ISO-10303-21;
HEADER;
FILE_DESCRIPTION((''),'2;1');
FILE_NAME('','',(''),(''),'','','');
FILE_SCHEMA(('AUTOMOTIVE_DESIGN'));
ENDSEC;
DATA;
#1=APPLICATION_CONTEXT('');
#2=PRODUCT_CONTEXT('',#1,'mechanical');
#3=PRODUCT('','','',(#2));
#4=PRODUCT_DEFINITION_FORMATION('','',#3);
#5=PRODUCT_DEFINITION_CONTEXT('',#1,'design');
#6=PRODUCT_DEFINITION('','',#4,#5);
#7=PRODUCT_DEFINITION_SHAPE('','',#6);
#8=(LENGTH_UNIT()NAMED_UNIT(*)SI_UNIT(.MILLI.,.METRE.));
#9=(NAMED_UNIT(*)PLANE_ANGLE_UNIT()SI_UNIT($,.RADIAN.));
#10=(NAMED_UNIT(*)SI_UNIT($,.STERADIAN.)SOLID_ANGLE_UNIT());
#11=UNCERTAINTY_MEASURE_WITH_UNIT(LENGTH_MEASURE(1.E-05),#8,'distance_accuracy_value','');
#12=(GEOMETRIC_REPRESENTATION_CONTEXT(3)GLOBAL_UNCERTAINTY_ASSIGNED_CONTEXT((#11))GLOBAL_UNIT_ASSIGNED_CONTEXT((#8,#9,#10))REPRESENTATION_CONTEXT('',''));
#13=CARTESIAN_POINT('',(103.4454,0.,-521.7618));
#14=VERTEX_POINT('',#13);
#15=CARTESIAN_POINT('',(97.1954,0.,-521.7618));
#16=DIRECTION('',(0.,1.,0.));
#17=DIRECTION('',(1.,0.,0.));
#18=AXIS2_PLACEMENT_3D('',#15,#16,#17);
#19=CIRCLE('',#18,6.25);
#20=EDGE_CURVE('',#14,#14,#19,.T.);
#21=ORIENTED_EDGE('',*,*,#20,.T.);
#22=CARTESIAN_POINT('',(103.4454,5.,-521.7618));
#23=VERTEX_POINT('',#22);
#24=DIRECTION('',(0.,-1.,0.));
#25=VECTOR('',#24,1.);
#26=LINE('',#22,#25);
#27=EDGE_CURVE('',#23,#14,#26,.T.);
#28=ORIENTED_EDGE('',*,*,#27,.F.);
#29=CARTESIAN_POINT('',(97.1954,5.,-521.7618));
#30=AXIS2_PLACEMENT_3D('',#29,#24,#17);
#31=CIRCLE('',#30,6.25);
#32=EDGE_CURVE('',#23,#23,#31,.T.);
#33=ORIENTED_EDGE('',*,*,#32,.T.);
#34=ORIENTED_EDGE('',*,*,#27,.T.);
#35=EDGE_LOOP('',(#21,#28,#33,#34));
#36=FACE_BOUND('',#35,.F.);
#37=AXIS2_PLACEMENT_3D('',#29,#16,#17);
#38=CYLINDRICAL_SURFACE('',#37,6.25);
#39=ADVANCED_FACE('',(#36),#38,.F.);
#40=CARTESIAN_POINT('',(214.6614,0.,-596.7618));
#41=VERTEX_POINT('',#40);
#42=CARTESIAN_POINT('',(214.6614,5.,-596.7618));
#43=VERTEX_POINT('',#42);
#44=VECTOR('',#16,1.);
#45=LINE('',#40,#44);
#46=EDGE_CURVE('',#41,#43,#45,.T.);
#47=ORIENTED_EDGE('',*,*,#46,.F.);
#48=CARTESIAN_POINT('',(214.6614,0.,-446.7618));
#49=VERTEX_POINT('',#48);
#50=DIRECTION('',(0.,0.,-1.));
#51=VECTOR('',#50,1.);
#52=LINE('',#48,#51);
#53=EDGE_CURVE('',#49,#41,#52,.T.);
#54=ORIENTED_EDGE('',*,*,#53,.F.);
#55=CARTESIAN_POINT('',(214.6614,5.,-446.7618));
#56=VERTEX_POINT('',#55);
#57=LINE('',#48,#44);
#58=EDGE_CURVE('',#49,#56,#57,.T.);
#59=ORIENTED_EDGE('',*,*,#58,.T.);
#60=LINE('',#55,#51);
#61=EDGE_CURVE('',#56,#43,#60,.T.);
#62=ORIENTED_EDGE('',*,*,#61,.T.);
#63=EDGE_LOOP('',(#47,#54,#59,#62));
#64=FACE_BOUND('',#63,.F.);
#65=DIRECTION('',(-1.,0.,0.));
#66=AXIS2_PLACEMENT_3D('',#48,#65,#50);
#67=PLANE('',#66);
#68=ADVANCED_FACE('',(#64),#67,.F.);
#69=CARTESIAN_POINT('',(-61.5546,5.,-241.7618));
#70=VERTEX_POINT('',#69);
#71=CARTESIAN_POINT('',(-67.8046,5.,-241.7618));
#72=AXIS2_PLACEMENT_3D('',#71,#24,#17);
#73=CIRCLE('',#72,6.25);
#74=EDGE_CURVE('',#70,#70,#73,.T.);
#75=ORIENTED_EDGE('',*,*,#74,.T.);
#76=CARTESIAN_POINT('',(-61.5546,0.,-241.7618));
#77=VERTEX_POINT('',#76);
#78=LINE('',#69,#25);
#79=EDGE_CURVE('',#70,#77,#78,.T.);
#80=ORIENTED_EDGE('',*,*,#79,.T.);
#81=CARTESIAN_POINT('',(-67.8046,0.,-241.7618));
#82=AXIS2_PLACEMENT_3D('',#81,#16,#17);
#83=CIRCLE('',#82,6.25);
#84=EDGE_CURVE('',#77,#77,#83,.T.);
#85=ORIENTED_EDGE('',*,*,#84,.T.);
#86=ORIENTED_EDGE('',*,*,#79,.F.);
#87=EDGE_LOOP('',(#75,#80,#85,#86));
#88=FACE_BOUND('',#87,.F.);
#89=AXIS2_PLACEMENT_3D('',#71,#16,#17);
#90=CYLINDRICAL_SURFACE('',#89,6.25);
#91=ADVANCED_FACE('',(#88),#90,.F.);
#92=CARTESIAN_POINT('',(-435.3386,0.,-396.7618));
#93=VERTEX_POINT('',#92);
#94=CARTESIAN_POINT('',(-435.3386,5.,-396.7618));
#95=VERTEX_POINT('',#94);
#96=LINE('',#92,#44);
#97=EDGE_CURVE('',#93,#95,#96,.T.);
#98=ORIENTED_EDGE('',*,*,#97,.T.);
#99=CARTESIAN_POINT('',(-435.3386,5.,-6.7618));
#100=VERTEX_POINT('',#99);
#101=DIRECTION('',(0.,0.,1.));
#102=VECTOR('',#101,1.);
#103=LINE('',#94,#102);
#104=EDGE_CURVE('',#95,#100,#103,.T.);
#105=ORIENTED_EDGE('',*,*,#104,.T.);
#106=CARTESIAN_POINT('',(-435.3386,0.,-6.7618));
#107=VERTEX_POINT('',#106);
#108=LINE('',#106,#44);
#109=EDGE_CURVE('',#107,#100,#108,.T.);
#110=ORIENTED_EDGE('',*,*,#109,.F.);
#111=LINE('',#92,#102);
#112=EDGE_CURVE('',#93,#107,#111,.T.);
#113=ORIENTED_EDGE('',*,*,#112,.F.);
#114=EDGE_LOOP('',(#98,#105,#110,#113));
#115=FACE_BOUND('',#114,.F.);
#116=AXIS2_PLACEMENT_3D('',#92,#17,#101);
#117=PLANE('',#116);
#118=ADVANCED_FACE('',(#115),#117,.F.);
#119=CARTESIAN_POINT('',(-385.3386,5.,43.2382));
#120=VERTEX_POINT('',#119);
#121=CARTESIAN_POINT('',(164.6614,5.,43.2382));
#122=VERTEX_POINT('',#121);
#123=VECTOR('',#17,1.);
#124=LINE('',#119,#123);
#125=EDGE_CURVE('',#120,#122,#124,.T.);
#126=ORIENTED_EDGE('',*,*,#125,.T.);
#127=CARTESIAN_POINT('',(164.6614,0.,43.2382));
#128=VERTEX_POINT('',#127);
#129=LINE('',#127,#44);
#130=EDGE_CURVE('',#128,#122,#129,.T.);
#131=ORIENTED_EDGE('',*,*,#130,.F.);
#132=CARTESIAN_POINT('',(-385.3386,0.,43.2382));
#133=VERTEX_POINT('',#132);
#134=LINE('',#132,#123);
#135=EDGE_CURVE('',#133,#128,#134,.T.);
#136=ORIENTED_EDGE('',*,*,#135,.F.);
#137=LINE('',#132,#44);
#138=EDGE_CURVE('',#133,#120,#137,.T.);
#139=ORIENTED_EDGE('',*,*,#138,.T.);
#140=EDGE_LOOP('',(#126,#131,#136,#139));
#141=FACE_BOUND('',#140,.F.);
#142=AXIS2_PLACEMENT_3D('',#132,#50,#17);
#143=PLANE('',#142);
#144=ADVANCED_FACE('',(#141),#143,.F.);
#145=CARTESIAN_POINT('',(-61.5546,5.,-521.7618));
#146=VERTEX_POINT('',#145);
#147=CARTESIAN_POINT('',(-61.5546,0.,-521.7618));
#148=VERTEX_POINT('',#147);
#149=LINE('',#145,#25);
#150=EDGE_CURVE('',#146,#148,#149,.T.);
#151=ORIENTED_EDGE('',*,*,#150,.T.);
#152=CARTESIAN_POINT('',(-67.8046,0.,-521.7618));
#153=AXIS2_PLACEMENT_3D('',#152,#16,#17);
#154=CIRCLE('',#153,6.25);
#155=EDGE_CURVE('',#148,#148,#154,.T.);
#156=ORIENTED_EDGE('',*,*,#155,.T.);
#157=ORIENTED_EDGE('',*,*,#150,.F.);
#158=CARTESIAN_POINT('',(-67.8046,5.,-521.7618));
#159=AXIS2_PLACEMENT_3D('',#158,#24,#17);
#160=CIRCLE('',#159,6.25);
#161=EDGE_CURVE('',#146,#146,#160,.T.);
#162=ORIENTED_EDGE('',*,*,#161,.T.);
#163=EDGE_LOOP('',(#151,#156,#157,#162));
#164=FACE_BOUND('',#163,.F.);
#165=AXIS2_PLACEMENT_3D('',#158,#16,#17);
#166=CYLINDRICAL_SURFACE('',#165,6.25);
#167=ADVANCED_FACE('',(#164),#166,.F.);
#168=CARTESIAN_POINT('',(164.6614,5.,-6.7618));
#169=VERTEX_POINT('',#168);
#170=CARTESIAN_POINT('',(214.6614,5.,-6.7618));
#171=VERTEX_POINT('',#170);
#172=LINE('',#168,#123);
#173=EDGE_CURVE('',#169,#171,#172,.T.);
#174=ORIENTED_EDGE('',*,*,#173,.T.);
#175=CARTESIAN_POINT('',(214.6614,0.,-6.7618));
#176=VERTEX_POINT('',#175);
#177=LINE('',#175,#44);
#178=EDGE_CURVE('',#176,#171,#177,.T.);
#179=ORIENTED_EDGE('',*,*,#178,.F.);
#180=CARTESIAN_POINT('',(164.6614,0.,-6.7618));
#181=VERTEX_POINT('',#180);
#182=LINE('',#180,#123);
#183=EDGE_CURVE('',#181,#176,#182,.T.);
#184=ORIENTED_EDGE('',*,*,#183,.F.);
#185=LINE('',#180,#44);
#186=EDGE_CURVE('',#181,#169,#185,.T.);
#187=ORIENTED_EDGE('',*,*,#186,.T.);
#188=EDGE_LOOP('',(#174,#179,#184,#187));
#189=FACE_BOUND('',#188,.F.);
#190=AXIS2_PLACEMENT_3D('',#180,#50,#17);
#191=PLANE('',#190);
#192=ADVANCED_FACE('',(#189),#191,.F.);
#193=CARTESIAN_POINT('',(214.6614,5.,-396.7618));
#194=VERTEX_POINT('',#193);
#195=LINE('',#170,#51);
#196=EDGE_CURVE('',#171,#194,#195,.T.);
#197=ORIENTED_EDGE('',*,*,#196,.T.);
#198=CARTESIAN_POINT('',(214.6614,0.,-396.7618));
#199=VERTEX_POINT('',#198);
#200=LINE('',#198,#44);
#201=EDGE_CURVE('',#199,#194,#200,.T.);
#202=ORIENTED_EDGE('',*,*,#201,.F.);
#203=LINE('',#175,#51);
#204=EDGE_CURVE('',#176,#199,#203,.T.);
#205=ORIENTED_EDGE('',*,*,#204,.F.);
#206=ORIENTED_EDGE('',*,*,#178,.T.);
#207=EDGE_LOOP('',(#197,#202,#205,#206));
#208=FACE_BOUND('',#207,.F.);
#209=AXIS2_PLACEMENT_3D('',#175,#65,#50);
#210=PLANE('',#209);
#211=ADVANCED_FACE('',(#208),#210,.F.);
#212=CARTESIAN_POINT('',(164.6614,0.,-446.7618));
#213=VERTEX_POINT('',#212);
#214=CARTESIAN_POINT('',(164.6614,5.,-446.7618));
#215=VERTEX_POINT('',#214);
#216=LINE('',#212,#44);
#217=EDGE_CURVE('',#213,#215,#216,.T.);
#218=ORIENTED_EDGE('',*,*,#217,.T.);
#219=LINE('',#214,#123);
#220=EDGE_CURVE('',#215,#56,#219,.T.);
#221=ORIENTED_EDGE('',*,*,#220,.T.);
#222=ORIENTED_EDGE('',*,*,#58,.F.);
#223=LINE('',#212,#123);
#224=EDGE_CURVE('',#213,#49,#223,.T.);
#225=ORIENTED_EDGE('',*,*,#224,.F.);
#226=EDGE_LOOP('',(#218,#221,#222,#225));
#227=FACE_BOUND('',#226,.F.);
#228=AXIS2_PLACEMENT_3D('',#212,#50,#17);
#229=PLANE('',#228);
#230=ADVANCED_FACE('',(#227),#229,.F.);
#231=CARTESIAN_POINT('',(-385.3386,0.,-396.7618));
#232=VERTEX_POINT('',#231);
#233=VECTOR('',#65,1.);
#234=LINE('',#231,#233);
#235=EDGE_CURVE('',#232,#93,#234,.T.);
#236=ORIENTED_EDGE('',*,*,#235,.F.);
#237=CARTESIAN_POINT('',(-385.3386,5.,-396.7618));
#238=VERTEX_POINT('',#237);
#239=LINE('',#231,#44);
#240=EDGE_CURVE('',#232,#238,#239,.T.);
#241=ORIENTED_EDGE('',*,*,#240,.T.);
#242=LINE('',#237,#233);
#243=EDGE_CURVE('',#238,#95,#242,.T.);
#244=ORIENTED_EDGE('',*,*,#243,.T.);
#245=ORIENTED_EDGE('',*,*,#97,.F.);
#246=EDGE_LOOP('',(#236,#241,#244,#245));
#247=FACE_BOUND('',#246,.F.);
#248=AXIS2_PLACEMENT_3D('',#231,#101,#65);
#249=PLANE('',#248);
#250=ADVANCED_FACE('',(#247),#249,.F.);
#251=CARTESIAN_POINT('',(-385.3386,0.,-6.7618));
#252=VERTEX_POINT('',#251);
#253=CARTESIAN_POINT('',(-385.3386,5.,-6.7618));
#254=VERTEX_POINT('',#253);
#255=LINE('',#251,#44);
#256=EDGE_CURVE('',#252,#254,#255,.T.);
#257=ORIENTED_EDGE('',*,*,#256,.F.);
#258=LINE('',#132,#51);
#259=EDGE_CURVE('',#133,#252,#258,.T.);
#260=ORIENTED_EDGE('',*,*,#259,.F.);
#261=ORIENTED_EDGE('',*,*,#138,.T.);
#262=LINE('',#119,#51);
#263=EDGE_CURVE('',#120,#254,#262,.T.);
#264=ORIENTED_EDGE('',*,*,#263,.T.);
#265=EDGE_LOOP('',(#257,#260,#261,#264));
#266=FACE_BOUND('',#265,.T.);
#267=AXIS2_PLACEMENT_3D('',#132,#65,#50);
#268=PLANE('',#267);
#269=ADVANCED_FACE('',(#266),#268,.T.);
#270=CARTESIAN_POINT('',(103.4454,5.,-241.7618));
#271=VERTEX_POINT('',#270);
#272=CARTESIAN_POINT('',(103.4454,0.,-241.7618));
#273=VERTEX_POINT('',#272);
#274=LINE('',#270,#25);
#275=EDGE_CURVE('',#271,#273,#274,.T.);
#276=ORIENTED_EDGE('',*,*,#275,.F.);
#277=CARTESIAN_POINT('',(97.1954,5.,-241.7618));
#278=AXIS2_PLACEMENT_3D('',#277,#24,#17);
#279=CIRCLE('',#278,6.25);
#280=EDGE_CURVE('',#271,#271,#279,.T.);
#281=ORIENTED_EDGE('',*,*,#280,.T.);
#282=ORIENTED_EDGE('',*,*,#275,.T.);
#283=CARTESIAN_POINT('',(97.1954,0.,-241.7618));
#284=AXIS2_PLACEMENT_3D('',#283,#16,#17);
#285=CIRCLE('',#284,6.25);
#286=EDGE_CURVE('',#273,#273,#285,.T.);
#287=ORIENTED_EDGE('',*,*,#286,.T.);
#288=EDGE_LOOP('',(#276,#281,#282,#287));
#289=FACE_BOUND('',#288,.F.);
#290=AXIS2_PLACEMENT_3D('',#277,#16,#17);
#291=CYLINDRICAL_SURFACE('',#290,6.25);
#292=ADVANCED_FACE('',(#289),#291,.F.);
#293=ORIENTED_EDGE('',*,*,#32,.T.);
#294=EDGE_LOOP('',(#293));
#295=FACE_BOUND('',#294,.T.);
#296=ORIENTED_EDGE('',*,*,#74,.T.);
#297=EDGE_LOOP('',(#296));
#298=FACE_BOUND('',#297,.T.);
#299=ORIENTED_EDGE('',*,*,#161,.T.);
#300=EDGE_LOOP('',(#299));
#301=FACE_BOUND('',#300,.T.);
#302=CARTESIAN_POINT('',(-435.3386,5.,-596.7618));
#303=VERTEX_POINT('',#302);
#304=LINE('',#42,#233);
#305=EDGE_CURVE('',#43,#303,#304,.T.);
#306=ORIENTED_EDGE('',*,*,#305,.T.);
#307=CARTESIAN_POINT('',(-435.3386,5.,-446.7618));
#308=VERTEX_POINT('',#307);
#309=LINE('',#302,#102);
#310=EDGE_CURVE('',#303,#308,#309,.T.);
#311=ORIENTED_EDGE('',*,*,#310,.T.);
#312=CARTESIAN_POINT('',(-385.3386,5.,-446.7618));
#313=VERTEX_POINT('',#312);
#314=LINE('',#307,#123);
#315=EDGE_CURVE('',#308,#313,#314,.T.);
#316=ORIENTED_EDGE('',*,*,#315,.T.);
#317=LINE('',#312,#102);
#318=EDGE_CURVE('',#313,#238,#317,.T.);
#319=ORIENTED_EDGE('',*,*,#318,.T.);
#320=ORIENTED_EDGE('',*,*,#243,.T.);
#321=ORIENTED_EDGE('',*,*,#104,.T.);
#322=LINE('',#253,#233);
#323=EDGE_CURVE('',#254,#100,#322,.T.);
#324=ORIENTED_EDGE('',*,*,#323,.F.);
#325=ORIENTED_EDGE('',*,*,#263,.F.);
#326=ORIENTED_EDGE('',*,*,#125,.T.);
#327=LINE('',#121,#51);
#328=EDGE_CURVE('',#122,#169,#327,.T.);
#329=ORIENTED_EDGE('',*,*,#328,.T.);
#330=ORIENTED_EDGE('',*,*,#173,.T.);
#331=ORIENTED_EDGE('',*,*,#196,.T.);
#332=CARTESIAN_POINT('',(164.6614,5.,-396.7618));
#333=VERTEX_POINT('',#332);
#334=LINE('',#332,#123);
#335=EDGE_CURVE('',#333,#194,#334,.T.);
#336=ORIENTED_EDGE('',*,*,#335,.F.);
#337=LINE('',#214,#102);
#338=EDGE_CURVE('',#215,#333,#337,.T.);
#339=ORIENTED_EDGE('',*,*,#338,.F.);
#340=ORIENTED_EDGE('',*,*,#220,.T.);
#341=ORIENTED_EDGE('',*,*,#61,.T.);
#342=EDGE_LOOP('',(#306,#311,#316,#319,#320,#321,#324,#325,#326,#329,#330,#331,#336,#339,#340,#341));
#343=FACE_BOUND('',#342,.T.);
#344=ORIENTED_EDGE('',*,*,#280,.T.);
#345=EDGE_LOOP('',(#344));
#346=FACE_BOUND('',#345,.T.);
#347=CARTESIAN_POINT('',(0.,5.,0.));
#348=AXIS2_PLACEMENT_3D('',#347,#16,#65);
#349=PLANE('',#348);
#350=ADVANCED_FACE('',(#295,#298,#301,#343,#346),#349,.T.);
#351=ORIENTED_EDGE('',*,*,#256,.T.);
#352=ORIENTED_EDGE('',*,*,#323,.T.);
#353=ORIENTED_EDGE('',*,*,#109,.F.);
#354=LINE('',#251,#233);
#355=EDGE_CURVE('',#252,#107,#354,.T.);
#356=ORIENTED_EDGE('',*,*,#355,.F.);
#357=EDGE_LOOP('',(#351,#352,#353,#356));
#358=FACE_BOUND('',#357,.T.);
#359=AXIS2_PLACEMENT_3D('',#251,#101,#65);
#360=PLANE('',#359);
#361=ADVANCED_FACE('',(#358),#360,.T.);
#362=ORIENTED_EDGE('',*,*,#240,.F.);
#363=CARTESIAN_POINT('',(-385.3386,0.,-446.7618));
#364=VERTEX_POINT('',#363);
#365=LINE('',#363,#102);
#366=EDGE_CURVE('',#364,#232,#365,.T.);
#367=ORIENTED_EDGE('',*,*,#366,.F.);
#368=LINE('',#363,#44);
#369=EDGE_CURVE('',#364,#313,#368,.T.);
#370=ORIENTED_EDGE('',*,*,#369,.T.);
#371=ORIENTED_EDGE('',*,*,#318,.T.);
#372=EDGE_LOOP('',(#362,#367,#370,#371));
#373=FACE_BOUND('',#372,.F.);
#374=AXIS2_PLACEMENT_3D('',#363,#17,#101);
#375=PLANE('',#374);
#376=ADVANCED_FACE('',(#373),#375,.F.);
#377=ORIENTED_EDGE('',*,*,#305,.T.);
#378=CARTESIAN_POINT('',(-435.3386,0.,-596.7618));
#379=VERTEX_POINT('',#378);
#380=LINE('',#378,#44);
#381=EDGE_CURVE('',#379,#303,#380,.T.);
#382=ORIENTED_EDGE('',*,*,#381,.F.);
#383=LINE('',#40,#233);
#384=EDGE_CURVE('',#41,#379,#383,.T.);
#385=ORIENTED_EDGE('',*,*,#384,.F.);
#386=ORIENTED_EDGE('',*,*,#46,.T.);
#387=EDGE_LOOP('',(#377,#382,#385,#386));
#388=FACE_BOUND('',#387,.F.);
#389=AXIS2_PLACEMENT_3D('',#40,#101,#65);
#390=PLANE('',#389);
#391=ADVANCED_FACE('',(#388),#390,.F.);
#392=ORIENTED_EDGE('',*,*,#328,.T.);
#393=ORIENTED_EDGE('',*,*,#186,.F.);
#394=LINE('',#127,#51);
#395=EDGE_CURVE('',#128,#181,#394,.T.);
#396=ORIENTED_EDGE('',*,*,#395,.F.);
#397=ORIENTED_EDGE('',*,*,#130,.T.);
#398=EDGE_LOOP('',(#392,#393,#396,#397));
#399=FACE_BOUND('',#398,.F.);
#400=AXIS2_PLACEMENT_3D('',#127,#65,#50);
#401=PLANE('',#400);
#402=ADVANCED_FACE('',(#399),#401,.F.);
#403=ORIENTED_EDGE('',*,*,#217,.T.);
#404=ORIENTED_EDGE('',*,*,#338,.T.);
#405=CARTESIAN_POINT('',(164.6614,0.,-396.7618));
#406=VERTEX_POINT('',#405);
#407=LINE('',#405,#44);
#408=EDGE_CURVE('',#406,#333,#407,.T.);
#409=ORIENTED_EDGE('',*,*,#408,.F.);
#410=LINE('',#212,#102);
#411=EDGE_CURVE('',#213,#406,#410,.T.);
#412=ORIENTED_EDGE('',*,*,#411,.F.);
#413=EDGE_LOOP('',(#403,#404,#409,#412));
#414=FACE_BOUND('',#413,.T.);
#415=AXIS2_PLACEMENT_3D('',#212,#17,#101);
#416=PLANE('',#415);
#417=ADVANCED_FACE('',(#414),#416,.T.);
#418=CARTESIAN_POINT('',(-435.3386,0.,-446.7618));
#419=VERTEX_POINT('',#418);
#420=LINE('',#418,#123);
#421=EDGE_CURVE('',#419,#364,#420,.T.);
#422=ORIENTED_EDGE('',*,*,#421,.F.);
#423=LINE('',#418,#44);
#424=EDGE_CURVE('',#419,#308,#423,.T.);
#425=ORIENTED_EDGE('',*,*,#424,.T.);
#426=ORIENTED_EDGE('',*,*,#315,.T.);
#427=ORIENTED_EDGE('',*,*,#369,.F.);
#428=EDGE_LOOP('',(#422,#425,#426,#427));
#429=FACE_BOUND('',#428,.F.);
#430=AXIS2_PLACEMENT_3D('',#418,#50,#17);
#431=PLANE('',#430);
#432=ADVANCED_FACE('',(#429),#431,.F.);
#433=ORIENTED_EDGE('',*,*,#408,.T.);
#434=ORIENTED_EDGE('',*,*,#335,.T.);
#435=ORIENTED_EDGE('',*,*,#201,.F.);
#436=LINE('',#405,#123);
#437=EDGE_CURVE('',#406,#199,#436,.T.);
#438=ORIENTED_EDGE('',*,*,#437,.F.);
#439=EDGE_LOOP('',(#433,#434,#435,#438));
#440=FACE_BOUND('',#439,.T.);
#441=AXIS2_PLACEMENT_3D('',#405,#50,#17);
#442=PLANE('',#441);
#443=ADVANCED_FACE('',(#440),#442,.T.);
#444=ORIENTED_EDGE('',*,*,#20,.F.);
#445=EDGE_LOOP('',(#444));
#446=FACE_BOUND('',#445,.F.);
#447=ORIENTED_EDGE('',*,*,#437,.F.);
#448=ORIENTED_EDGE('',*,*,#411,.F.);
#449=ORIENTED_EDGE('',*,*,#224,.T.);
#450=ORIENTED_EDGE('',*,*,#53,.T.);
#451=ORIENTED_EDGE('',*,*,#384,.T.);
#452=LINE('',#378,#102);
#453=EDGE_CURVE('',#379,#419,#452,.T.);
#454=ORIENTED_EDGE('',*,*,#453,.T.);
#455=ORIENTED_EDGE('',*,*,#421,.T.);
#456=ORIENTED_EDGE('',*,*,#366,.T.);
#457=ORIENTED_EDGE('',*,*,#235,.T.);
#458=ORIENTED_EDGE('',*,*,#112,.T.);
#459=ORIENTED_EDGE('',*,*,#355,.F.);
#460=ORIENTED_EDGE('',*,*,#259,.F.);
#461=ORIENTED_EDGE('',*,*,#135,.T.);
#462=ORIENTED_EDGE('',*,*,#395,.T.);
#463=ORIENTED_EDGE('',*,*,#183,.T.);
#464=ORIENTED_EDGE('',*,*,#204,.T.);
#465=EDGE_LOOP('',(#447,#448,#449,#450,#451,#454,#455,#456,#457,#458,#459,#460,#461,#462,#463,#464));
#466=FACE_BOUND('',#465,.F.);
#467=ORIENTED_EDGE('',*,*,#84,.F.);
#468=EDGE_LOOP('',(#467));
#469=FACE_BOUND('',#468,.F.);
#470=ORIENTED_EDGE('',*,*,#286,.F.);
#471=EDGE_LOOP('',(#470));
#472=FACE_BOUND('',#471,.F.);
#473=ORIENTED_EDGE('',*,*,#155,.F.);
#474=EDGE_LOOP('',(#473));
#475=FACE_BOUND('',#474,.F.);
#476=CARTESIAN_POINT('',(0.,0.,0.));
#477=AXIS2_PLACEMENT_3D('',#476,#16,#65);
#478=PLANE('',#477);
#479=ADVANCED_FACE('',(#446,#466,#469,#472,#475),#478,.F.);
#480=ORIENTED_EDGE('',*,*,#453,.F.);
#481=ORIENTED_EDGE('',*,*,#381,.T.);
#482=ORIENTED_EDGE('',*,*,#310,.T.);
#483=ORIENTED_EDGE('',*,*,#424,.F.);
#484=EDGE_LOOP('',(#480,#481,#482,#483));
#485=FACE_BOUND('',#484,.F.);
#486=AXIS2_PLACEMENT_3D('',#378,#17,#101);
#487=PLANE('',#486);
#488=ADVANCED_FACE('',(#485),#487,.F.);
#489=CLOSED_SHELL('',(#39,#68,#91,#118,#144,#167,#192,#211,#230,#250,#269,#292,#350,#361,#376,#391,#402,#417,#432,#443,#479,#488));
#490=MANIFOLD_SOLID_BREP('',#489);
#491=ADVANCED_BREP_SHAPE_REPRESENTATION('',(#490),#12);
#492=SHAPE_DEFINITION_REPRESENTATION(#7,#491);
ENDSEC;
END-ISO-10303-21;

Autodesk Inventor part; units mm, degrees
ref_plane "YZ Plane" through (0, 0, 0) normal (1, 0, 0) x (0, 1, 0)
ref_plane "XZ Plane" through (0, 0, 0) normal (0, 1, 0) x (-1, 0, 0)
ref_plane "XY Plane" through (0, 0, 0) normal (0, 0, 1) x (1, 0, 0)
sketch "Boceto2" plane through (0, 0, 0) normal (0, 1, 0) x (-1, 0, 0)
  line L0 (385.3386, 43.2382) -> (385.3386, -6.7618)
  line L1 (385.3386, -6.7618) -> (435.3386, -6.7618)
  line L2 (385.3386, -446.7618) -> (385.3386, -396.7618)
  line L3 (385.3386, -396.7618) -> (435.3386, -396.7618)
  line L4 (-164.6614, 43.2382) -> (-164.6614, -6.7618)
  line L5 (-164.6614, -6.7618) -> (-214.6614, -6.7618)
  line L6 (-164.6614, -446.7618) -> (-164.6614, -396.7618)
  line L7 (-164.6614, -396.7618) -> (-214.6614, -396.7618)
  line L8 (385.3386, 43.2382) -> (-164.6614, 43.2382)
  line L9 (435.3386, -396.7618) -> (435.3386, -6.7618)
  line L10 (-214.6614, -6.7618) -> (-214.6614, -396.7618)
  line L11 (-164.6614, -446.7618) -> (-214.6614, -446.7618)
  line L12 (-214.6614, -446.7618) -> (-214.6614, -596.7618)
  line L13 (-214.6614, -596.7618) -> (435.3386, -596.7618)
  line L14 (435.3386, -596.7618) -> (435.3386, -446.7618)
  line L15 (435.3386, -446.7618) -> (385.3386, -446.7618)
  point P0 (0, 0)
  dimension "d15" = 50
  dimension "d16" = 50
  dimension "d17" = 50
  dimension "d18" = 50
  dimension "d19" = 50
  dimension "d20" = 50
  dimension "d21" = 50
  dimension "d22" = 50
  dimension "d25" = 50
  dimension "d26" = 150
  dimension "d27" = 650
  dimension "d28" = 150
extrude "Extrusión2" add sketch "Boceto2" along normal blind 5
sketch "Boceto3" plane through (0, 5, 0) normal (0, 1, 0) x (1, 0, 0)
  arc A0 (-61.5546, 521.7618) -> (-74.0546, 521.7618) centre (-67.8046, 521.7618) ccw projected
  arc A1 (103.4454, 521.7618) -> (90.9454, 521.7618) centre (97.1954, 521.7618) ccw projected
  arc A2 (90.9454, 241.7618) -> (103.4454, 241.7618) centre (97.1954, 241.7618) ccw projected
  arc A3 (-74.0546, 241.7618) -> (-61.5546, 241.7618) centre (-67.8046, 241.7618) ccw projected
  circle A4 centre (-67.8046, 241.7618) radius 6.25
  circle A5 centre (97.1954, 241.7618) radius 6.25
  circle A6 centre (97.1954, 521.7618) radius 6.25
  circle A7 centre (-67.8046, 521.7618) radius 6.25
  point P0 (0, 0)
extrude "Extrusión3" cut sketch "Boceto3" against normal through all
properties material "Aluminio 6061"
